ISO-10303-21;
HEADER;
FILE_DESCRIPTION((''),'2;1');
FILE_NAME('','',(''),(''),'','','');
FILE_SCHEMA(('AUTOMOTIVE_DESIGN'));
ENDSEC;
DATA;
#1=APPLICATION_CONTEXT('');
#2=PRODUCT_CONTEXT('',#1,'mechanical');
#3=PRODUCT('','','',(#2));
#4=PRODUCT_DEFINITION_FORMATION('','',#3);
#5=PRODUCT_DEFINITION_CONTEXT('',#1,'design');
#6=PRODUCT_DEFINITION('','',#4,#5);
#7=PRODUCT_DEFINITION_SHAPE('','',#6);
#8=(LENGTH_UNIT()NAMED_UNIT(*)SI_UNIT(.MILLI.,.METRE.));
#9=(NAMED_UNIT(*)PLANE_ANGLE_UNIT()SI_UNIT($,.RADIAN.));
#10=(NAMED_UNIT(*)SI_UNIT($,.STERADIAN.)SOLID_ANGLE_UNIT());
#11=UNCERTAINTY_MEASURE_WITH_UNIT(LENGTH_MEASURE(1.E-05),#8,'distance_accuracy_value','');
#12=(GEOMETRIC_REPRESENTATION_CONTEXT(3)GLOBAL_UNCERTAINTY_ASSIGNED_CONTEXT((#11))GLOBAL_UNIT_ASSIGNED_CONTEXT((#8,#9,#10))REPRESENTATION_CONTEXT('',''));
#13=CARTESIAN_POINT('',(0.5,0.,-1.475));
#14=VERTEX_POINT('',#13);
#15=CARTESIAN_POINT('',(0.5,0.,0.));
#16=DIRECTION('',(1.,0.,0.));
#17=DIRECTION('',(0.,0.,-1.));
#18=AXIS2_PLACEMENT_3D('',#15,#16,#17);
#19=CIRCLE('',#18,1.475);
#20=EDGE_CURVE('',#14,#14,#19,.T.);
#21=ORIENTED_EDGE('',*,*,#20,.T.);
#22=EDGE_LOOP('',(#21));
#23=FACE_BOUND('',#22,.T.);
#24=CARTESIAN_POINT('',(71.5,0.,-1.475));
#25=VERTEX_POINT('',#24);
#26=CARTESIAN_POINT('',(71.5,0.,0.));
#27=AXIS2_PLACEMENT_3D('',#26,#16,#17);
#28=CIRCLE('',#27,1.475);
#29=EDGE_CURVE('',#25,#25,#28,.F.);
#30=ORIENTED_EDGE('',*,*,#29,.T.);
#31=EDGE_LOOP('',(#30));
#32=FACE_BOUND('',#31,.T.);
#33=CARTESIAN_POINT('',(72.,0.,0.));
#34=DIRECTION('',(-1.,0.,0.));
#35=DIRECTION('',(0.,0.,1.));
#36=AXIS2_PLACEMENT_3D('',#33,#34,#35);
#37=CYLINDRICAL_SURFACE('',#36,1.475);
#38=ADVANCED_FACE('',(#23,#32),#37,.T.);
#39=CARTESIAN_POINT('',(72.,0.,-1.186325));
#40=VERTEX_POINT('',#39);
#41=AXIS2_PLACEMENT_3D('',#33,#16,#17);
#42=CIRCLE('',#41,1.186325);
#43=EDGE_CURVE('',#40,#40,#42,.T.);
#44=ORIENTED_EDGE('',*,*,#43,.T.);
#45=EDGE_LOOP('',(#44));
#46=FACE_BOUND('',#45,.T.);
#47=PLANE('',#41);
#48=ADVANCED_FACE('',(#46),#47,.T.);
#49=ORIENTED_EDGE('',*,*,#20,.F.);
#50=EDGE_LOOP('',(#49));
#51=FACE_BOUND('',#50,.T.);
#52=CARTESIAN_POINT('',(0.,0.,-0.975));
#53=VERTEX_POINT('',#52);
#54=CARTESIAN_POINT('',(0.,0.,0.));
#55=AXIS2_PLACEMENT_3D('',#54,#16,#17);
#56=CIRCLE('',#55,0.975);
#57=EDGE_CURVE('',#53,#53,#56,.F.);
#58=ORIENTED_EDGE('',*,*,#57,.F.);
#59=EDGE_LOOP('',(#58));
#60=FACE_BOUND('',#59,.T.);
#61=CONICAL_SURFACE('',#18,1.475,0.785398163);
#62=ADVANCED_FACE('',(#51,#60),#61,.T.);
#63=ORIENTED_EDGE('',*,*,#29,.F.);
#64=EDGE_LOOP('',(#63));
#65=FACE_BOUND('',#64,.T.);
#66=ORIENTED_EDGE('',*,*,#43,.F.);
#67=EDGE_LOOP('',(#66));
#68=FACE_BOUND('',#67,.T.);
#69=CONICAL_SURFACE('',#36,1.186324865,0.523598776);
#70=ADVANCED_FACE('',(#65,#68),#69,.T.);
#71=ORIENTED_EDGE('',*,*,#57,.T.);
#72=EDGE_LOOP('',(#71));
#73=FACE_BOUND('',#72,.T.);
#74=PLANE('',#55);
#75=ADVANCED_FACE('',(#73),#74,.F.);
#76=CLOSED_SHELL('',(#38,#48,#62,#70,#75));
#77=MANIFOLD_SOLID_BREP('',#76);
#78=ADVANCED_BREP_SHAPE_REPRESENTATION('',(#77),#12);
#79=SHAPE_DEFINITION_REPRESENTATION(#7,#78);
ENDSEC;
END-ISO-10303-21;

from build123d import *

# Parameters (mm, degrees)
CROQUIS1_R              = 1.475
SALIENTE_EXTRUIR1_DEPTH = 72
CHAFL_N1_SIZE           = 0.5
CHAFL_N1_SIZE2          = 0.288675135
CHAFL_N2_SIZE           = 0.5


with BuildPart() as part:
    # Croquis1 → Saliente-Extruir1 (new body)
    with BuildSketch(Plane(origin=(0, 0, 0), x_dir=(0, 0, -1), z_dir=(1, 0, 0))):
        Circle(CROQUIS1_R)
    extrude(amount=SALIENTE_EXTRUIR1_DEPTH)

    # Chaflán1
    chafl_n1_edges = [part.edges().sort_by_distance(p)[0] for p in [
        (72, 0, 1.475),
    ]]
    chafl_n1_side = [part.faces().sort_by_distance(p)[0] for p in [
        (36, 0, 1.475),
    ]]
    chamfer(chafl_n1_edges, length=CHAFL_N1_SIZE, length2=CHAFL_N1_SIZE2, reference=chafl_n1_side[0])

    # Chaflán2
    chafl_n2_edges = [part.edges().sort_by_distance(p)[0] for p in [
        (0, 0, 1.475),
    ]]
    chamfer(chafl_n2_edges, length=CHAFL_N2_SIZE)


solid = part.part
